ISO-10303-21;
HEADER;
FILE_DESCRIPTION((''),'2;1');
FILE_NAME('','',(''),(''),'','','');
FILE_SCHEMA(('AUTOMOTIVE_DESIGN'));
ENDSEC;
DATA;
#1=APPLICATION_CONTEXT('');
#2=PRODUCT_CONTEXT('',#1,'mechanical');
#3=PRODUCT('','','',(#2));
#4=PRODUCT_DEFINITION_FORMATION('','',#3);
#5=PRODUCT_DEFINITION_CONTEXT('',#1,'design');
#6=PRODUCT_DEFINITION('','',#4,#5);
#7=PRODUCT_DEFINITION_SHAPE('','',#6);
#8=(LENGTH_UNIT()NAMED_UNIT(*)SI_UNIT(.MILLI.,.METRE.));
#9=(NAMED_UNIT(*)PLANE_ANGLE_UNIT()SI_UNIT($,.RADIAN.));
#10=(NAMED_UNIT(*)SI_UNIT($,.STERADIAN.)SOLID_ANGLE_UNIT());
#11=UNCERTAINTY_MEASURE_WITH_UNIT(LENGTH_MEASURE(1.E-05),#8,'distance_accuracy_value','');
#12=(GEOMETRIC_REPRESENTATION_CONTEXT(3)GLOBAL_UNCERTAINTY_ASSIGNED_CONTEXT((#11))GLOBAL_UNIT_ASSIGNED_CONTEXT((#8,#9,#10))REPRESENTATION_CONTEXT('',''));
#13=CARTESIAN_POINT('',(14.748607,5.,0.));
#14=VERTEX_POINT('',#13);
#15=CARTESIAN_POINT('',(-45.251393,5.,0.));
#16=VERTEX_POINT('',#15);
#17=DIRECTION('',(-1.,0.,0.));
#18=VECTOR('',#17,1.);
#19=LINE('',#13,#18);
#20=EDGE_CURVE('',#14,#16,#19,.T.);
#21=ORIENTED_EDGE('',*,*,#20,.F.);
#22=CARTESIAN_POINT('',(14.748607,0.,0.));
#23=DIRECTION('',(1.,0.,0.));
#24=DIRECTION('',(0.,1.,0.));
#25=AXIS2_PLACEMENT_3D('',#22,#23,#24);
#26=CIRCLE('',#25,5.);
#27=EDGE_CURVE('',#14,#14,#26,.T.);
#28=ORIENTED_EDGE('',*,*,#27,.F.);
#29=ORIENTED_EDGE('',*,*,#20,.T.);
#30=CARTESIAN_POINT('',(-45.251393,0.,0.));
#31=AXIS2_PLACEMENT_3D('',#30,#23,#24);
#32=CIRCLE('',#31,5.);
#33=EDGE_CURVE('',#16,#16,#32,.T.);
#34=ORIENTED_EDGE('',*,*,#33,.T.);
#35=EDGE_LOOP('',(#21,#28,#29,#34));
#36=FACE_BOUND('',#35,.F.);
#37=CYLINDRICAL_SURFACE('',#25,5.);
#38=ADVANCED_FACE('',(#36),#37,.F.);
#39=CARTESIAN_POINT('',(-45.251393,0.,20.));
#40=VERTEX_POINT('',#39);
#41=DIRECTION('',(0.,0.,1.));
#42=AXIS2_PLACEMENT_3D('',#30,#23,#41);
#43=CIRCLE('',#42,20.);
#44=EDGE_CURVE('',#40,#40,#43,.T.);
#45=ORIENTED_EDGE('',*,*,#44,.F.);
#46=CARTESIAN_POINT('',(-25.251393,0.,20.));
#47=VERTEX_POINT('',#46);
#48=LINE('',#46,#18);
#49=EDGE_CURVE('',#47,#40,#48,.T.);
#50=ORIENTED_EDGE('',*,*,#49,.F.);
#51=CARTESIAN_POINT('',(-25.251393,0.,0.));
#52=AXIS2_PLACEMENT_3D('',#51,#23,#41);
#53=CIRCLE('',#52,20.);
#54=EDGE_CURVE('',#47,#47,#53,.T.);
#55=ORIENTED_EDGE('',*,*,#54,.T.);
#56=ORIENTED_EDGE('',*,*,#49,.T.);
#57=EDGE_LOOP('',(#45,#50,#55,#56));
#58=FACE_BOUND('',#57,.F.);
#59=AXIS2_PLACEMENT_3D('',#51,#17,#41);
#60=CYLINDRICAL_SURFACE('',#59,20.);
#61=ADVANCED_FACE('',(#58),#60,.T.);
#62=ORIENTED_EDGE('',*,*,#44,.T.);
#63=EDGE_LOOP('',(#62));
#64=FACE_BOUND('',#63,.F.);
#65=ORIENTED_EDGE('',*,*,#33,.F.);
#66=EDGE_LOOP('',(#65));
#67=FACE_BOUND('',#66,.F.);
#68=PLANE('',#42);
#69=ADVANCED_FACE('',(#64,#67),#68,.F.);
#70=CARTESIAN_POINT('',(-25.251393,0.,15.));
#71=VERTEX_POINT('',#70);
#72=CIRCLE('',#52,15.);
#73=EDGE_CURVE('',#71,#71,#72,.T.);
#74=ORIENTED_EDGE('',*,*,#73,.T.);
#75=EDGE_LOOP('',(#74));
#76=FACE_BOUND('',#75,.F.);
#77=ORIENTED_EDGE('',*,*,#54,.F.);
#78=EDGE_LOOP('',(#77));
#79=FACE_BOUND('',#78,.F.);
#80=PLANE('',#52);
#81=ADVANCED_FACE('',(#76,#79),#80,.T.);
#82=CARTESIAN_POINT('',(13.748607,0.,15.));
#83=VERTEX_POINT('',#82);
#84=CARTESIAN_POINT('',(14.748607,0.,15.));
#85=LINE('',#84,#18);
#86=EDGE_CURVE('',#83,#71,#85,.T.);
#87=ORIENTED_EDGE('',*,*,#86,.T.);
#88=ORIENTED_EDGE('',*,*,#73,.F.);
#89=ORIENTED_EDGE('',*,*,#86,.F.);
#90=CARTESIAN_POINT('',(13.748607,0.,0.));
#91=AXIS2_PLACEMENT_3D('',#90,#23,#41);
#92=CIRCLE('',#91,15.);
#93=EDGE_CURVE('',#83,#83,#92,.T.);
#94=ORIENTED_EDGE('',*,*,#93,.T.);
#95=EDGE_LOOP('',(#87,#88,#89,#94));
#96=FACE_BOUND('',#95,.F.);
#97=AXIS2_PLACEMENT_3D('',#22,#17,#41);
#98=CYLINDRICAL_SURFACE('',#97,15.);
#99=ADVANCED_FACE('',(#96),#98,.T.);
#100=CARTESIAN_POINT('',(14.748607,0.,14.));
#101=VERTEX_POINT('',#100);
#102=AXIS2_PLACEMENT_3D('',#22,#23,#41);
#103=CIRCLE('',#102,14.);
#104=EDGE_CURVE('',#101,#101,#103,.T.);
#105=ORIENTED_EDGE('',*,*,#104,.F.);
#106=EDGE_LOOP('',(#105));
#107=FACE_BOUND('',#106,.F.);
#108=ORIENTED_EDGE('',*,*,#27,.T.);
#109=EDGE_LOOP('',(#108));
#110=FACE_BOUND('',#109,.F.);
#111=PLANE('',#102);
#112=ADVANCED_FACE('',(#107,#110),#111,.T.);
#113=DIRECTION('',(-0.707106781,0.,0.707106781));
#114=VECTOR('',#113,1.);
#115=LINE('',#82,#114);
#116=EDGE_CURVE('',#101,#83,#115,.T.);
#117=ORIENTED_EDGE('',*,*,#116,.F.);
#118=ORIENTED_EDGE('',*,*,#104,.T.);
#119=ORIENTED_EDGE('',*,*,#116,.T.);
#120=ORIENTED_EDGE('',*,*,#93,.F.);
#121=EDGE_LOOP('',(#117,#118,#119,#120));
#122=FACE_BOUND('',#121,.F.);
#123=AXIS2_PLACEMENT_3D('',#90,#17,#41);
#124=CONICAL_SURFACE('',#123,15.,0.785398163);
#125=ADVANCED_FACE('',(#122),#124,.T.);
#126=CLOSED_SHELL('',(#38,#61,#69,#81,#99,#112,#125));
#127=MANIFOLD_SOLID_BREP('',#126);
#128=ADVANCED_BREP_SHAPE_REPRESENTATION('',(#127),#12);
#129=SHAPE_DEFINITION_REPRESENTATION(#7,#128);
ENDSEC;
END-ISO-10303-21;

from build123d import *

# Parameters (mm, degrees)
F2_SIZE  = 1
F3_R     = 5
F4_DEPTH = 60.001


with BuildPart() as f1:
    # F0 (on Front) → F1 (revolve)
    with BuildSketch(Plane.XZ):
        Polygon((-45.251393, 20), (-45.251393, 0), (14.748607, 0), (14.748607, 15), (-25.251393, 15), (-25.251393, 20), align=None)
    revolve(axis=Axis((-14.02186, 0, 0), (1, 0, 0)))

    # F2
    f2_edges = [f1.edges().sort_by_distance(p)[0] for p in [
        (14.748607, 0, -15),
    ]]
    chamfer(f2_edges, length=F2_SIZE)

    # F3 (on face) → F4 (cut, through all)
    with BuildSketch(Plane.YZ.offset(14.748607)):
        Circle(F3_R)
    extrude(amount=-F4_DEPTH, mode=Mode.SUBTRACT)


solid = f1.part
